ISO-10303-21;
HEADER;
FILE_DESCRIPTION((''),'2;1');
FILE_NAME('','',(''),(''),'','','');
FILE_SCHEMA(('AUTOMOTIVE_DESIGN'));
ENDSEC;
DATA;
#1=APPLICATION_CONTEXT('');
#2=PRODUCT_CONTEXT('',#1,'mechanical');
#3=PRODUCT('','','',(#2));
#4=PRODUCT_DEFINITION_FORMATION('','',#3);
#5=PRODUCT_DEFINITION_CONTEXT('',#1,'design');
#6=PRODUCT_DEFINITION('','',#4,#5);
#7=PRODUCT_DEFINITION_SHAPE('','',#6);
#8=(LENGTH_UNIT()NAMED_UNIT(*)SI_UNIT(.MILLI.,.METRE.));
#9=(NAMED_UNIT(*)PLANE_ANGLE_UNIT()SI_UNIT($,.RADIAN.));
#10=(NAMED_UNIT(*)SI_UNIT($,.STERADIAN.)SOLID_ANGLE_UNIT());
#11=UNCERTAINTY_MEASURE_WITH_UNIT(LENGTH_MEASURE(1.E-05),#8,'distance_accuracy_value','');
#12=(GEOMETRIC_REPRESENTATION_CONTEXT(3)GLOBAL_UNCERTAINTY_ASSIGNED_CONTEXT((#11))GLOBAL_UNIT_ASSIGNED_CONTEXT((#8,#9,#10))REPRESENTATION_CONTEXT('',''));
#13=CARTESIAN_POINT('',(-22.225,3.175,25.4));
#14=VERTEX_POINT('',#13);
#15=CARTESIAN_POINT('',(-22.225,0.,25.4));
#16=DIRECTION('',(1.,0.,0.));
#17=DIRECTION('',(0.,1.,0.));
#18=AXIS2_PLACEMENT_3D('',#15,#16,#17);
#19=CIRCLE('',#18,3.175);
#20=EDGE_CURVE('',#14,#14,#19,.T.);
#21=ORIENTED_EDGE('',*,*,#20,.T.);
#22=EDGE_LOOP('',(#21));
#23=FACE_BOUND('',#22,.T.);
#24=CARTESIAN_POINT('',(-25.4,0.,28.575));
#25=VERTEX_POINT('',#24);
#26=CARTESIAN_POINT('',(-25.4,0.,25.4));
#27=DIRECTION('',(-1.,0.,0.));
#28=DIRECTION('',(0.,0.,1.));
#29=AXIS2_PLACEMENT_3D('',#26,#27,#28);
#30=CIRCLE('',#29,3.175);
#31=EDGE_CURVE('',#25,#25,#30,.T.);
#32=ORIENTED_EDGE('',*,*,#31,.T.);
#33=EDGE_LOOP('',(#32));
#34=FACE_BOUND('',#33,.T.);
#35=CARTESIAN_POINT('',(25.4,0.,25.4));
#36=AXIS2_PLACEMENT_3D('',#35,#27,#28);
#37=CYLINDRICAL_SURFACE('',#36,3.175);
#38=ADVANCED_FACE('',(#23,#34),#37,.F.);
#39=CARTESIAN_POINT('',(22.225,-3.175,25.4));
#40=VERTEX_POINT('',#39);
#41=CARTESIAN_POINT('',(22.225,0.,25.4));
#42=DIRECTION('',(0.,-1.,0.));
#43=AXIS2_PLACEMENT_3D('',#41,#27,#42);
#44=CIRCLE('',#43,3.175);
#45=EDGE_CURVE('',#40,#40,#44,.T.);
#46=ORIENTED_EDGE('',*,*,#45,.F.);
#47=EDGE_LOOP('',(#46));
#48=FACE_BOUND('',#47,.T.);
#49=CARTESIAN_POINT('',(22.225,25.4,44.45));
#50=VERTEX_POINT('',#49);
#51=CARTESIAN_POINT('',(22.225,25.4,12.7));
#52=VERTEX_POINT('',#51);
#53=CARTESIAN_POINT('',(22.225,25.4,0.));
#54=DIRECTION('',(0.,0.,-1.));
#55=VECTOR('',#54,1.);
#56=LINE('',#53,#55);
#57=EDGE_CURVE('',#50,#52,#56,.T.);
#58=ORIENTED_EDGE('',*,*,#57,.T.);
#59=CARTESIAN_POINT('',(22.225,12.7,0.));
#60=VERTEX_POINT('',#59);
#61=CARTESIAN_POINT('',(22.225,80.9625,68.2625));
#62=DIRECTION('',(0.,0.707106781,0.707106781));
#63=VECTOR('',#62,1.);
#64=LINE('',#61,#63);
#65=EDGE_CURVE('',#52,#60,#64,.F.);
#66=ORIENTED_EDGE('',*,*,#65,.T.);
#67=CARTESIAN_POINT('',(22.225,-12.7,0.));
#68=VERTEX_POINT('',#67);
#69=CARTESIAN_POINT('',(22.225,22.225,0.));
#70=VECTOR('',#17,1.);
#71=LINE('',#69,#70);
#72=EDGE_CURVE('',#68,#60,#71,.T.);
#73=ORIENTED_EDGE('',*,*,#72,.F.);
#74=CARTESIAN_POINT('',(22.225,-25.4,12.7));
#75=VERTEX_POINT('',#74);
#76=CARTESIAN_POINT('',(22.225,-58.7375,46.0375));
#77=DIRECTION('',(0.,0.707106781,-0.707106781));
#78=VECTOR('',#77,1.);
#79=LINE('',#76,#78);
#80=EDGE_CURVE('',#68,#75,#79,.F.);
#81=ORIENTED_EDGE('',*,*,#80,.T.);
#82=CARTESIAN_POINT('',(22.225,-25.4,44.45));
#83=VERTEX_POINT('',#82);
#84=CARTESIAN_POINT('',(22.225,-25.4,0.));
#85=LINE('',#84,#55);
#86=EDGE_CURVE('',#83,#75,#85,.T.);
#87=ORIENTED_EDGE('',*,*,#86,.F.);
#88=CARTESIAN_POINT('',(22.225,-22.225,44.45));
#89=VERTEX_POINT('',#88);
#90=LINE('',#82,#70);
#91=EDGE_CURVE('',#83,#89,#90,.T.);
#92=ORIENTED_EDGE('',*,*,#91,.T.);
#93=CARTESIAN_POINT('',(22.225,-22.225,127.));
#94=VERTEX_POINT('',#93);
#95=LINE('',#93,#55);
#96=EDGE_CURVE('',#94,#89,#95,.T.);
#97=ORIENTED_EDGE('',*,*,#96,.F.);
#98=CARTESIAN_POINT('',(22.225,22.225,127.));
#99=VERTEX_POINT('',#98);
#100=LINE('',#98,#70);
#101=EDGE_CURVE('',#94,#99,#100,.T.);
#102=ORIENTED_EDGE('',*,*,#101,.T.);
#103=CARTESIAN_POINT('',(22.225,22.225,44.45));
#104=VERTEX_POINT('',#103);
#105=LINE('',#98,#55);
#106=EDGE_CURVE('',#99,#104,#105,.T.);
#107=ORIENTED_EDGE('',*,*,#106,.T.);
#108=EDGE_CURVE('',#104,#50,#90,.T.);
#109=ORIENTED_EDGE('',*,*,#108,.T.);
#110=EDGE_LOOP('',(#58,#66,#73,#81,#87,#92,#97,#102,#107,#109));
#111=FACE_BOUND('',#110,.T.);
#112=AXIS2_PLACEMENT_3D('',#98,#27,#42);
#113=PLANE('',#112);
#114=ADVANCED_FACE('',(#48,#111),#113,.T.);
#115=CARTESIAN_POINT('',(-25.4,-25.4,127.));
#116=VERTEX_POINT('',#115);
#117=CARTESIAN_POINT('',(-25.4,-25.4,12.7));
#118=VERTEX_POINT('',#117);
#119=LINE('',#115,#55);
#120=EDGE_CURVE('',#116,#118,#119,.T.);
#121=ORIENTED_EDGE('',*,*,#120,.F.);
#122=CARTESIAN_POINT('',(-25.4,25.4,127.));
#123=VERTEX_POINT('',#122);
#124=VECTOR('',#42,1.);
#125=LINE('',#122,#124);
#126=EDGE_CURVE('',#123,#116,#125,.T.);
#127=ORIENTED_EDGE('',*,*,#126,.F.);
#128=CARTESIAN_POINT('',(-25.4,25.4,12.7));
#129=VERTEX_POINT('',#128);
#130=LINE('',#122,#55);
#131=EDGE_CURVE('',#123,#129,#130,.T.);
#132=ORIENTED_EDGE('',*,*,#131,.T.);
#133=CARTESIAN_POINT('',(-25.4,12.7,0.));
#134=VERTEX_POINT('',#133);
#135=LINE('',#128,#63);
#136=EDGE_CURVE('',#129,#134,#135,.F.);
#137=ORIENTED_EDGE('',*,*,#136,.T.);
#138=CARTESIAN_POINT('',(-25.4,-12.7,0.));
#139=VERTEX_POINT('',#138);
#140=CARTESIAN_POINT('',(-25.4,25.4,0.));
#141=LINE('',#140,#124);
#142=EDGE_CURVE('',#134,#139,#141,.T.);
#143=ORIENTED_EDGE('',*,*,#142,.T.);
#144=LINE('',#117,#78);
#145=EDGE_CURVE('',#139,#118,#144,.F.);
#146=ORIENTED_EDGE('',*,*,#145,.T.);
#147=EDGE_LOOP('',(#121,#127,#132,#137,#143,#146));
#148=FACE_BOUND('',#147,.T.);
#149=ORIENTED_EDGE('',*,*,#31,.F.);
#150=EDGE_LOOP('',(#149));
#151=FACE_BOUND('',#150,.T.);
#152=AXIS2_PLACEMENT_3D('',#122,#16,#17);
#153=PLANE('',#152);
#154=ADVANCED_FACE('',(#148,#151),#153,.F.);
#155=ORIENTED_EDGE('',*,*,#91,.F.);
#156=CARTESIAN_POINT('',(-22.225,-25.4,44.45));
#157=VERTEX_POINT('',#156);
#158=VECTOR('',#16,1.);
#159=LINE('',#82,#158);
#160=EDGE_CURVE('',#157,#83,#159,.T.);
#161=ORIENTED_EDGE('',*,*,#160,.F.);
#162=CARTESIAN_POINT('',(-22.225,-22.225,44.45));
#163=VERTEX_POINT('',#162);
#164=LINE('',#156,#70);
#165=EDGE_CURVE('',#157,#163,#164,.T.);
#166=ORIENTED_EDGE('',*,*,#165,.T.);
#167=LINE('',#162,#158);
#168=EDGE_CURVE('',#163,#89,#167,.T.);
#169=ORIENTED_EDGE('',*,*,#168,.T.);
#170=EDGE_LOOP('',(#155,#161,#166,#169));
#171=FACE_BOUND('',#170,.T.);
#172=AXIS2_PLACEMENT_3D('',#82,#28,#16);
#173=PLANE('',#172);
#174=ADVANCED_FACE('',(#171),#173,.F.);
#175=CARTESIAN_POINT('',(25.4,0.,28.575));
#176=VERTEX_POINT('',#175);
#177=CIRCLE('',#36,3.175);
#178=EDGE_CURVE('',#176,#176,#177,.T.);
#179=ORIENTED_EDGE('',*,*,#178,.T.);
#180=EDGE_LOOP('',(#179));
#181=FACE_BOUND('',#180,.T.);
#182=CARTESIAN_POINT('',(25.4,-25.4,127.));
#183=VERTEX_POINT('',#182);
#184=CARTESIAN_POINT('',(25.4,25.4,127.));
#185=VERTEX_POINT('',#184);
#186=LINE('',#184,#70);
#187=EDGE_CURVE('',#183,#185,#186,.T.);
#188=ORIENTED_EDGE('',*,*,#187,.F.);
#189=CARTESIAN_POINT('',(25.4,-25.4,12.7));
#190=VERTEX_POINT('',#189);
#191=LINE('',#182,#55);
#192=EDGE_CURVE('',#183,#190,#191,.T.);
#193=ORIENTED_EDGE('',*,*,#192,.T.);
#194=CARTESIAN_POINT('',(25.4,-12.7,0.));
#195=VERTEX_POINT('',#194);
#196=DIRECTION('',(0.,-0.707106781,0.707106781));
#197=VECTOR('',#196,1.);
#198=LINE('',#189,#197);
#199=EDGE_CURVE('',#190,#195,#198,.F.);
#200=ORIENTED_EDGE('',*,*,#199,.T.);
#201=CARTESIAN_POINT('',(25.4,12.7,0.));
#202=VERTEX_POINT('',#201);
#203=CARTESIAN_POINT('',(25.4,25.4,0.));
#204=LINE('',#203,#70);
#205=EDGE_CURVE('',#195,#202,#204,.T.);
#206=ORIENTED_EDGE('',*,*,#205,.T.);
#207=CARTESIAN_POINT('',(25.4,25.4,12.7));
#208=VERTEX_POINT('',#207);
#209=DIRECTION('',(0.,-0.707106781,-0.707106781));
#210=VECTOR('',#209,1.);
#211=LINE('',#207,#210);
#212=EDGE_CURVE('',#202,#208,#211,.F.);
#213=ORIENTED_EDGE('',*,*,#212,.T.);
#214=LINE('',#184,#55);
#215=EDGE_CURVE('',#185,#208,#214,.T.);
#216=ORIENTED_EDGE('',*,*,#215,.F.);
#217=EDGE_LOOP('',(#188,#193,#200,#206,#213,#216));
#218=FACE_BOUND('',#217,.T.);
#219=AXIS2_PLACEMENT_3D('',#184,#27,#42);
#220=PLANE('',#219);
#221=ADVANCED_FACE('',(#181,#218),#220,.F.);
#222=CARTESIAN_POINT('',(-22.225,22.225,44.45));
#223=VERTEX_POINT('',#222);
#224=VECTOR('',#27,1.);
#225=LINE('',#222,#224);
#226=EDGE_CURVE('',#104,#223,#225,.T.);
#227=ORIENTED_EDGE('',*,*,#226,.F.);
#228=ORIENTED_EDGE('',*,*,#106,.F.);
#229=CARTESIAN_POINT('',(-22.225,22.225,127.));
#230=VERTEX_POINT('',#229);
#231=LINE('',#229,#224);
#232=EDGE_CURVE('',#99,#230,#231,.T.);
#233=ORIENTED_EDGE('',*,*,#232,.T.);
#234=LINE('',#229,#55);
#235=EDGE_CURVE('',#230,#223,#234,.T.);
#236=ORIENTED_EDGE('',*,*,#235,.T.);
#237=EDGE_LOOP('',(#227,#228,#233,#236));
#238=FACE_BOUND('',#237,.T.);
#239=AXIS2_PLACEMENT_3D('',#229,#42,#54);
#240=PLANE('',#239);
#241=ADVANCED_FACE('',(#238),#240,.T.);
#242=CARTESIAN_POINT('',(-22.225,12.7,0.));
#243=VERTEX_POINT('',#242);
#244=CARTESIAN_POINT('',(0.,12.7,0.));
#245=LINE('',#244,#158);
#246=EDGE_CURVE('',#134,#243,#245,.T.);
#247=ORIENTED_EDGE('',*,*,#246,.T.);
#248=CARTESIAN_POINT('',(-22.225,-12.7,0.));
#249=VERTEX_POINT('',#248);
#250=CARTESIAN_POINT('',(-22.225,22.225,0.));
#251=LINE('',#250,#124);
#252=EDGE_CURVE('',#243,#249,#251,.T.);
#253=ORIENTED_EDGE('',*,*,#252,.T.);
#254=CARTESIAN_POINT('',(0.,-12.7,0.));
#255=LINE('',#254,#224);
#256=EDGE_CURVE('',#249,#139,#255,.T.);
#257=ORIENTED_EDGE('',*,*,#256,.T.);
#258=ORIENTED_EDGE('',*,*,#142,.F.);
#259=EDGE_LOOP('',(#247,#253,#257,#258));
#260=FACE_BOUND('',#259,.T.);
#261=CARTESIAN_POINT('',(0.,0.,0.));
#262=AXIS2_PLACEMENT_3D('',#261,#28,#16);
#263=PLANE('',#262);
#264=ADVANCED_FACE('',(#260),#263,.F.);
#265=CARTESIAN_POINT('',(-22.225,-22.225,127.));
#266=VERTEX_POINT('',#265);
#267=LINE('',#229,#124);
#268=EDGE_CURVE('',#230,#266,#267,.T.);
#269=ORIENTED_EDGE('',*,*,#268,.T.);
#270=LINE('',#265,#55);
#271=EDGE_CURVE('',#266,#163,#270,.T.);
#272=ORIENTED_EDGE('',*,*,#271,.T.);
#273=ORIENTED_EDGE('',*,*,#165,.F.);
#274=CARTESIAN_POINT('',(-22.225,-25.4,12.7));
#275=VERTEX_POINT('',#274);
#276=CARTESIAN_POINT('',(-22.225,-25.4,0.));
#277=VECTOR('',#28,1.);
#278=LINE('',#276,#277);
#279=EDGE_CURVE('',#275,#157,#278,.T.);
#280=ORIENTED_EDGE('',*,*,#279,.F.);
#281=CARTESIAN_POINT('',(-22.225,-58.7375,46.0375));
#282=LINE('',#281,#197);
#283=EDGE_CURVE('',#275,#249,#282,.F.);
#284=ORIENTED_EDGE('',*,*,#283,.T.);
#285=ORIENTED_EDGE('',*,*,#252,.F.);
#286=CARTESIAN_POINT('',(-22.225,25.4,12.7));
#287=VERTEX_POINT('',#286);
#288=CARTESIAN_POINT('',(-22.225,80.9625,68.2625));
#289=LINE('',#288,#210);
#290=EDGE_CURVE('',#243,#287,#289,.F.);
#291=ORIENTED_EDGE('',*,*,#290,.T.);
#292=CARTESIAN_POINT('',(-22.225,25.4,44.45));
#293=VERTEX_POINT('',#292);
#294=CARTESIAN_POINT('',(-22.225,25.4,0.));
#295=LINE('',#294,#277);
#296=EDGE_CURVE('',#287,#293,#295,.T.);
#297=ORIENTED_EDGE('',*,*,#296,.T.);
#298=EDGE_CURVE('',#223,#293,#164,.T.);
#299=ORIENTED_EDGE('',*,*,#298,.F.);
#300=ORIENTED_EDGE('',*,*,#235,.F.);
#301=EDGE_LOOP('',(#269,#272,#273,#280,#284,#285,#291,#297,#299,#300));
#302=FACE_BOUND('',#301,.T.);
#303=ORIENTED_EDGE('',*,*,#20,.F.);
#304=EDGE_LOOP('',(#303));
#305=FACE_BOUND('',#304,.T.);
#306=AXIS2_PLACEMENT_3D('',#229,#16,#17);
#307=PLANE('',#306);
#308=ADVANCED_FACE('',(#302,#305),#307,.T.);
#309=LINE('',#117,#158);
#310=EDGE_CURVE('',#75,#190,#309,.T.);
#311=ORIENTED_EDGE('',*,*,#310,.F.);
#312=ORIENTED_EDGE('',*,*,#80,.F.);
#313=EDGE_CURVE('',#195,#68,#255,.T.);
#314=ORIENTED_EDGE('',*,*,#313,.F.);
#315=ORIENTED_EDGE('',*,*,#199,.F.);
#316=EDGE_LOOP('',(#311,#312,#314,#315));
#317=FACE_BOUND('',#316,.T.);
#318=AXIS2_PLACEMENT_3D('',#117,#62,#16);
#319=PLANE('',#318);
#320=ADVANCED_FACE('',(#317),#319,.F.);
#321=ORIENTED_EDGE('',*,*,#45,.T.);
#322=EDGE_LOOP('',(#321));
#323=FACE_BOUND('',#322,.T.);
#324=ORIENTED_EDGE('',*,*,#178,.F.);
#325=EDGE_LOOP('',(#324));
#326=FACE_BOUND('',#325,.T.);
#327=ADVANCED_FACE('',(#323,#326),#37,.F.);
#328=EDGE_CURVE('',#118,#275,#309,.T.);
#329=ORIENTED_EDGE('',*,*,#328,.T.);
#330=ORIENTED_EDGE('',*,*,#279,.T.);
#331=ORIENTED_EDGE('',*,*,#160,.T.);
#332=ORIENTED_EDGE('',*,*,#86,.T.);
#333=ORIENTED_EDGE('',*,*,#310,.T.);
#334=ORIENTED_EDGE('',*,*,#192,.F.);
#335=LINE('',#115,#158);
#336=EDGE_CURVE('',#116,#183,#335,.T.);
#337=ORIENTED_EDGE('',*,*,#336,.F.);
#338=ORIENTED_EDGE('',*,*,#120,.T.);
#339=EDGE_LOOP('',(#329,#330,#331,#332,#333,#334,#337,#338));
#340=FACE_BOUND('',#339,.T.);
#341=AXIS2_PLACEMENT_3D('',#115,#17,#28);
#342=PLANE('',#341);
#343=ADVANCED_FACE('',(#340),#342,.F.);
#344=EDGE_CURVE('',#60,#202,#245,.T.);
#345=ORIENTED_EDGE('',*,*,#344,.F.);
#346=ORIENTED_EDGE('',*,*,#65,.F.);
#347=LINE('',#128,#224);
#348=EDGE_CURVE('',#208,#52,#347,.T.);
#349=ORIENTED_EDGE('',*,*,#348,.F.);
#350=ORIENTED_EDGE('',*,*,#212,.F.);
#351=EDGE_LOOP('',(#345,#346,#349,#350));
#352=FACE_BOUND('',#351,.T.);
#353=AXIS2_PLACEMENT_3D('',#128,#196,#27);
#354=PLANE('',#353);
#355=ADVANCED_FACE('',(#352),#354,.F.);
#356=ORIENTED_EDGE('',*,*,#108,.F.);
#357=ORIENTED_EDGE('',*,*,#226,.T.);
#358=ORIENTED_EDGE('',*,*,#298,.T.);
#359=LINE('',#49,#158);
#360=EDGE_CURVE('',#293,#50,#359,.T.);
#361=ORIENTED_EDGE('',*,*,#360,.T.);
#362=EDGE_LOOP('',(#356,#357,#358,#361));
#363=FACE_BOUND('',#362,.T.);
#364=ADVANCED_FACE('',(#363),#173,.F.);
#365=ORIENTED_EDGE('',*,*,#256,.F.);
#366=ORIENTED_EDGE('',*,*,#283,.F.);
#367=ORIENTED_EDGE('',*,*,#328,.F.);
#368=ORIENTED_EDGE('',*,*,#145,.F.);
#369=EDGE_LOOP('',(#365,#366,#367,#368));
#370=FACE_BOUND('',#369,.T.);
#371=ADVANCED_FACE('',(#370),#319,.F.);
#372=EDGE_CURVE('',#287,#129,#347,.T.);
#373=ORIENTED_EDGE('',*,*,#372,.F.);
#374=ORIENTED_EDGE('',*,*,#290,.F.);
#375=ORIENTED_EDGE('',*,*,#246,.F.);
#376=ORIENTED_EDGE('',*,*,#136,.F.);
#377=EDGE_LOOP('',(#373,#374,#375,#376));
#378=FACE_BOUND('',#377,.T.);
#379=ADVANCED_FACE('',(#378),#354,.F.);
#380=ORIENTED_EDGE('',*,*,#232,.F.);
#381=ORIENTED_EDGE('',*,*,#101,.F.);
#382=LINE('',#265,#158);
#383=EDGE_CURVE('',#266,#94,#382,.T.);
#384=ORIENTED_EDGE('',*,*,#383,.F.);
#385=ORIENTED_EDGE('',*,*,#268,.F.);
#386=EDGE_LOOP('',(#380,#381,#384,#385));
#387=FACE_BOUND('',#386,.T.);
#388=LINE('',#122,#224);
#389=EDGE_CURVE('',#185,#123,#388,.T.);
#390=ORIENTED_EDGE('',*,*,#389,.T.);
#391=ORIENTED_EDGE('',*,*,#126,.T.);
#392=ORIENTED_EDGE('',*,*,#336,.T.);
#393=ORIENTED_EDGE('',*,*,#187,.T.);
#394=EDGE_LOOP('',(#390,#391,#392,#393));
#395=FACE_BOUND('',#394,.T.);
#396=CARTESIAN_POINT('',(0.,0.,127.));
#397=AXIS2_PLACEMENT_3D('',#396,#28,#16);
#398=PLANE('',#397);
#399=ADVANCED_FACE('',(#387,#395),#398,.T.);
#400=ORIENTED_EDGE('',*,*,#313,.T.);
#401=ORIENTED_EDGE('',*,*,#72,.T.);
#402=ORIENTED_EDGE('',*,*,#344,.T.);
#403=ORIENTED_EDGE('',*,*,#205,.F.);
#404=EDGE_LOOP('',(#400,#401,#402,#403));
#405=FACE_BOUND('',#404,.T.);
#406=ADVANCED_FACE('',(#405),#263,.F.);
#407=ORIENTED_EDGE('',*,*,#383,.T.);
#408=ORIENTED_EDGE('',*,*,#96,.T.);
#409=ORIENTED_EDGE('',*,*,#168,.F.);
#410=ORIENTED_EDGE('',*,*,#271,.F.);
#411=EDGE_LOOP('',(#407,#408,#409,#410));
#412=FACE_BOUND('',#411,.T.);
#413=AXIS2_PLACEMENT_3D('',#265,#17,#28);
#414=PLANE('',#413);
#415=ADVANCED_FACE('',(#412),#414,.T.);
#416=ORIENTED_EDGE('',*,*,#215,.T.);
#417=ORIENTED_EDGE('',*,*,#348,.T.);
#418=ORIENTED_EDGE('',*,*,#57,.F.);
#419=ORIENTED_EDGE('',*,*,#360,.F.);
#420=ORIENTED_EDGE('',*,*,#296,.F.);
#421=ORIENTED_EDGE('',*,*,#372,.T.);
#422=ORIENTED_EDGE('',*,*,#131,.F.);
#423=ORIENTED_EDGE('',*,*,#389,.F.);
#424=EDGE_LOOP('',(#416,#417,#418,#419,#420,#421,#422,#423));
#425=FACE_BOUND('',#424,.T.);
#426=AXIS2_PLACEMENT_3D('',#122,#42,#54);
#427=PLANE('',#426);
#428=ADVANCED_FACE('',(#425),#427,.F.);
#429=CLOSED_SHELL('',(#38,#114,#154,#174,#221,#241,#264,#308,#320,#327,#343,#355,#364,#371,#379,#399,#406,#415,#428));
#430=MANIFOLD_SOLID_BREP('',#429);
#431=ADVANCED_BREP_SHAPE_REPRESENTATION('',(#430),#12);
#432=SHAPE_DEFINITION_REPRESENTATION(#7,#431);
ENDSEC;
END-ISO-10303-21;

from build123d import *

# Parameters (mm, degrees)
SKETCH2_W           = 50.8
SKETCH2_H           = 50.8
SKETCH2_W_2         = 44.45
SKETCH2_H_2         = 44.45
BOSS_EXTRUDE1_DEPTH = 127
SKETCH3_R           = 3.175
CUT_EXTRUDE1_DEPTH  = 140.121529606
SKETCH5_W           = 44.45
SKETCH5_H           = 44.45
CUT_EXTRUDE2_DEPTH  = 140.121529606
CHAMFER1_SIZE       = 12.7


with BuildPart() as part:
    # Sketch2 → Boss-Extrude1 (new body)
    with BuildSketch(Plane.XY):
        Rectangle(SKETCH2_W, SKETCH2_H)
        Rectangle(SKETCH2_W_2, SKETCH2_H_2, mode=Mode.SUBTRACT)
    extrude(amount=BOSS_EXTRUDE1_DEPTH)

    # Sketch3 → Cut-Extrude1 (cut, through all)
    with BuildSketch(Plane.ZY.offset(25.4)):
        with Locations((25.4, 0)):
            Circle(SKETCH3_R)
    extrude(amount=-CUT_EXTRUDE1_DEPTH, mode=Mode.SUBTRACT)

    # Sketch5 → Cut-Extrude2 (cut, through all)
    with BuildSketch(Plane(origin=(0, 25.4, 0), x_dir=(1, 0, 0), z_dir=(0, 1, 0))):
        with Locations((0, -22.225)):
            Rectangle(SKETCH5_W, SKETCH5_H)
    extrude(amount=-CUT_EXTRUDE2_DEPTH, mode=Mode.SUBTRACT)

    # Chamfer1
    chamfer1_edges = [part.edges().sort_by_distance(p)[0] for p in [
        (23.8125, -25.4, 0),
        (-23.8125, 25.4, 0),
        (-23.8125, -25.4, 0),
        (23.8125, 25.4, 0),
    ]]
    chamfer(chamfer1_edges, length=CHAMFER1_SIZE)


solid = part.part
